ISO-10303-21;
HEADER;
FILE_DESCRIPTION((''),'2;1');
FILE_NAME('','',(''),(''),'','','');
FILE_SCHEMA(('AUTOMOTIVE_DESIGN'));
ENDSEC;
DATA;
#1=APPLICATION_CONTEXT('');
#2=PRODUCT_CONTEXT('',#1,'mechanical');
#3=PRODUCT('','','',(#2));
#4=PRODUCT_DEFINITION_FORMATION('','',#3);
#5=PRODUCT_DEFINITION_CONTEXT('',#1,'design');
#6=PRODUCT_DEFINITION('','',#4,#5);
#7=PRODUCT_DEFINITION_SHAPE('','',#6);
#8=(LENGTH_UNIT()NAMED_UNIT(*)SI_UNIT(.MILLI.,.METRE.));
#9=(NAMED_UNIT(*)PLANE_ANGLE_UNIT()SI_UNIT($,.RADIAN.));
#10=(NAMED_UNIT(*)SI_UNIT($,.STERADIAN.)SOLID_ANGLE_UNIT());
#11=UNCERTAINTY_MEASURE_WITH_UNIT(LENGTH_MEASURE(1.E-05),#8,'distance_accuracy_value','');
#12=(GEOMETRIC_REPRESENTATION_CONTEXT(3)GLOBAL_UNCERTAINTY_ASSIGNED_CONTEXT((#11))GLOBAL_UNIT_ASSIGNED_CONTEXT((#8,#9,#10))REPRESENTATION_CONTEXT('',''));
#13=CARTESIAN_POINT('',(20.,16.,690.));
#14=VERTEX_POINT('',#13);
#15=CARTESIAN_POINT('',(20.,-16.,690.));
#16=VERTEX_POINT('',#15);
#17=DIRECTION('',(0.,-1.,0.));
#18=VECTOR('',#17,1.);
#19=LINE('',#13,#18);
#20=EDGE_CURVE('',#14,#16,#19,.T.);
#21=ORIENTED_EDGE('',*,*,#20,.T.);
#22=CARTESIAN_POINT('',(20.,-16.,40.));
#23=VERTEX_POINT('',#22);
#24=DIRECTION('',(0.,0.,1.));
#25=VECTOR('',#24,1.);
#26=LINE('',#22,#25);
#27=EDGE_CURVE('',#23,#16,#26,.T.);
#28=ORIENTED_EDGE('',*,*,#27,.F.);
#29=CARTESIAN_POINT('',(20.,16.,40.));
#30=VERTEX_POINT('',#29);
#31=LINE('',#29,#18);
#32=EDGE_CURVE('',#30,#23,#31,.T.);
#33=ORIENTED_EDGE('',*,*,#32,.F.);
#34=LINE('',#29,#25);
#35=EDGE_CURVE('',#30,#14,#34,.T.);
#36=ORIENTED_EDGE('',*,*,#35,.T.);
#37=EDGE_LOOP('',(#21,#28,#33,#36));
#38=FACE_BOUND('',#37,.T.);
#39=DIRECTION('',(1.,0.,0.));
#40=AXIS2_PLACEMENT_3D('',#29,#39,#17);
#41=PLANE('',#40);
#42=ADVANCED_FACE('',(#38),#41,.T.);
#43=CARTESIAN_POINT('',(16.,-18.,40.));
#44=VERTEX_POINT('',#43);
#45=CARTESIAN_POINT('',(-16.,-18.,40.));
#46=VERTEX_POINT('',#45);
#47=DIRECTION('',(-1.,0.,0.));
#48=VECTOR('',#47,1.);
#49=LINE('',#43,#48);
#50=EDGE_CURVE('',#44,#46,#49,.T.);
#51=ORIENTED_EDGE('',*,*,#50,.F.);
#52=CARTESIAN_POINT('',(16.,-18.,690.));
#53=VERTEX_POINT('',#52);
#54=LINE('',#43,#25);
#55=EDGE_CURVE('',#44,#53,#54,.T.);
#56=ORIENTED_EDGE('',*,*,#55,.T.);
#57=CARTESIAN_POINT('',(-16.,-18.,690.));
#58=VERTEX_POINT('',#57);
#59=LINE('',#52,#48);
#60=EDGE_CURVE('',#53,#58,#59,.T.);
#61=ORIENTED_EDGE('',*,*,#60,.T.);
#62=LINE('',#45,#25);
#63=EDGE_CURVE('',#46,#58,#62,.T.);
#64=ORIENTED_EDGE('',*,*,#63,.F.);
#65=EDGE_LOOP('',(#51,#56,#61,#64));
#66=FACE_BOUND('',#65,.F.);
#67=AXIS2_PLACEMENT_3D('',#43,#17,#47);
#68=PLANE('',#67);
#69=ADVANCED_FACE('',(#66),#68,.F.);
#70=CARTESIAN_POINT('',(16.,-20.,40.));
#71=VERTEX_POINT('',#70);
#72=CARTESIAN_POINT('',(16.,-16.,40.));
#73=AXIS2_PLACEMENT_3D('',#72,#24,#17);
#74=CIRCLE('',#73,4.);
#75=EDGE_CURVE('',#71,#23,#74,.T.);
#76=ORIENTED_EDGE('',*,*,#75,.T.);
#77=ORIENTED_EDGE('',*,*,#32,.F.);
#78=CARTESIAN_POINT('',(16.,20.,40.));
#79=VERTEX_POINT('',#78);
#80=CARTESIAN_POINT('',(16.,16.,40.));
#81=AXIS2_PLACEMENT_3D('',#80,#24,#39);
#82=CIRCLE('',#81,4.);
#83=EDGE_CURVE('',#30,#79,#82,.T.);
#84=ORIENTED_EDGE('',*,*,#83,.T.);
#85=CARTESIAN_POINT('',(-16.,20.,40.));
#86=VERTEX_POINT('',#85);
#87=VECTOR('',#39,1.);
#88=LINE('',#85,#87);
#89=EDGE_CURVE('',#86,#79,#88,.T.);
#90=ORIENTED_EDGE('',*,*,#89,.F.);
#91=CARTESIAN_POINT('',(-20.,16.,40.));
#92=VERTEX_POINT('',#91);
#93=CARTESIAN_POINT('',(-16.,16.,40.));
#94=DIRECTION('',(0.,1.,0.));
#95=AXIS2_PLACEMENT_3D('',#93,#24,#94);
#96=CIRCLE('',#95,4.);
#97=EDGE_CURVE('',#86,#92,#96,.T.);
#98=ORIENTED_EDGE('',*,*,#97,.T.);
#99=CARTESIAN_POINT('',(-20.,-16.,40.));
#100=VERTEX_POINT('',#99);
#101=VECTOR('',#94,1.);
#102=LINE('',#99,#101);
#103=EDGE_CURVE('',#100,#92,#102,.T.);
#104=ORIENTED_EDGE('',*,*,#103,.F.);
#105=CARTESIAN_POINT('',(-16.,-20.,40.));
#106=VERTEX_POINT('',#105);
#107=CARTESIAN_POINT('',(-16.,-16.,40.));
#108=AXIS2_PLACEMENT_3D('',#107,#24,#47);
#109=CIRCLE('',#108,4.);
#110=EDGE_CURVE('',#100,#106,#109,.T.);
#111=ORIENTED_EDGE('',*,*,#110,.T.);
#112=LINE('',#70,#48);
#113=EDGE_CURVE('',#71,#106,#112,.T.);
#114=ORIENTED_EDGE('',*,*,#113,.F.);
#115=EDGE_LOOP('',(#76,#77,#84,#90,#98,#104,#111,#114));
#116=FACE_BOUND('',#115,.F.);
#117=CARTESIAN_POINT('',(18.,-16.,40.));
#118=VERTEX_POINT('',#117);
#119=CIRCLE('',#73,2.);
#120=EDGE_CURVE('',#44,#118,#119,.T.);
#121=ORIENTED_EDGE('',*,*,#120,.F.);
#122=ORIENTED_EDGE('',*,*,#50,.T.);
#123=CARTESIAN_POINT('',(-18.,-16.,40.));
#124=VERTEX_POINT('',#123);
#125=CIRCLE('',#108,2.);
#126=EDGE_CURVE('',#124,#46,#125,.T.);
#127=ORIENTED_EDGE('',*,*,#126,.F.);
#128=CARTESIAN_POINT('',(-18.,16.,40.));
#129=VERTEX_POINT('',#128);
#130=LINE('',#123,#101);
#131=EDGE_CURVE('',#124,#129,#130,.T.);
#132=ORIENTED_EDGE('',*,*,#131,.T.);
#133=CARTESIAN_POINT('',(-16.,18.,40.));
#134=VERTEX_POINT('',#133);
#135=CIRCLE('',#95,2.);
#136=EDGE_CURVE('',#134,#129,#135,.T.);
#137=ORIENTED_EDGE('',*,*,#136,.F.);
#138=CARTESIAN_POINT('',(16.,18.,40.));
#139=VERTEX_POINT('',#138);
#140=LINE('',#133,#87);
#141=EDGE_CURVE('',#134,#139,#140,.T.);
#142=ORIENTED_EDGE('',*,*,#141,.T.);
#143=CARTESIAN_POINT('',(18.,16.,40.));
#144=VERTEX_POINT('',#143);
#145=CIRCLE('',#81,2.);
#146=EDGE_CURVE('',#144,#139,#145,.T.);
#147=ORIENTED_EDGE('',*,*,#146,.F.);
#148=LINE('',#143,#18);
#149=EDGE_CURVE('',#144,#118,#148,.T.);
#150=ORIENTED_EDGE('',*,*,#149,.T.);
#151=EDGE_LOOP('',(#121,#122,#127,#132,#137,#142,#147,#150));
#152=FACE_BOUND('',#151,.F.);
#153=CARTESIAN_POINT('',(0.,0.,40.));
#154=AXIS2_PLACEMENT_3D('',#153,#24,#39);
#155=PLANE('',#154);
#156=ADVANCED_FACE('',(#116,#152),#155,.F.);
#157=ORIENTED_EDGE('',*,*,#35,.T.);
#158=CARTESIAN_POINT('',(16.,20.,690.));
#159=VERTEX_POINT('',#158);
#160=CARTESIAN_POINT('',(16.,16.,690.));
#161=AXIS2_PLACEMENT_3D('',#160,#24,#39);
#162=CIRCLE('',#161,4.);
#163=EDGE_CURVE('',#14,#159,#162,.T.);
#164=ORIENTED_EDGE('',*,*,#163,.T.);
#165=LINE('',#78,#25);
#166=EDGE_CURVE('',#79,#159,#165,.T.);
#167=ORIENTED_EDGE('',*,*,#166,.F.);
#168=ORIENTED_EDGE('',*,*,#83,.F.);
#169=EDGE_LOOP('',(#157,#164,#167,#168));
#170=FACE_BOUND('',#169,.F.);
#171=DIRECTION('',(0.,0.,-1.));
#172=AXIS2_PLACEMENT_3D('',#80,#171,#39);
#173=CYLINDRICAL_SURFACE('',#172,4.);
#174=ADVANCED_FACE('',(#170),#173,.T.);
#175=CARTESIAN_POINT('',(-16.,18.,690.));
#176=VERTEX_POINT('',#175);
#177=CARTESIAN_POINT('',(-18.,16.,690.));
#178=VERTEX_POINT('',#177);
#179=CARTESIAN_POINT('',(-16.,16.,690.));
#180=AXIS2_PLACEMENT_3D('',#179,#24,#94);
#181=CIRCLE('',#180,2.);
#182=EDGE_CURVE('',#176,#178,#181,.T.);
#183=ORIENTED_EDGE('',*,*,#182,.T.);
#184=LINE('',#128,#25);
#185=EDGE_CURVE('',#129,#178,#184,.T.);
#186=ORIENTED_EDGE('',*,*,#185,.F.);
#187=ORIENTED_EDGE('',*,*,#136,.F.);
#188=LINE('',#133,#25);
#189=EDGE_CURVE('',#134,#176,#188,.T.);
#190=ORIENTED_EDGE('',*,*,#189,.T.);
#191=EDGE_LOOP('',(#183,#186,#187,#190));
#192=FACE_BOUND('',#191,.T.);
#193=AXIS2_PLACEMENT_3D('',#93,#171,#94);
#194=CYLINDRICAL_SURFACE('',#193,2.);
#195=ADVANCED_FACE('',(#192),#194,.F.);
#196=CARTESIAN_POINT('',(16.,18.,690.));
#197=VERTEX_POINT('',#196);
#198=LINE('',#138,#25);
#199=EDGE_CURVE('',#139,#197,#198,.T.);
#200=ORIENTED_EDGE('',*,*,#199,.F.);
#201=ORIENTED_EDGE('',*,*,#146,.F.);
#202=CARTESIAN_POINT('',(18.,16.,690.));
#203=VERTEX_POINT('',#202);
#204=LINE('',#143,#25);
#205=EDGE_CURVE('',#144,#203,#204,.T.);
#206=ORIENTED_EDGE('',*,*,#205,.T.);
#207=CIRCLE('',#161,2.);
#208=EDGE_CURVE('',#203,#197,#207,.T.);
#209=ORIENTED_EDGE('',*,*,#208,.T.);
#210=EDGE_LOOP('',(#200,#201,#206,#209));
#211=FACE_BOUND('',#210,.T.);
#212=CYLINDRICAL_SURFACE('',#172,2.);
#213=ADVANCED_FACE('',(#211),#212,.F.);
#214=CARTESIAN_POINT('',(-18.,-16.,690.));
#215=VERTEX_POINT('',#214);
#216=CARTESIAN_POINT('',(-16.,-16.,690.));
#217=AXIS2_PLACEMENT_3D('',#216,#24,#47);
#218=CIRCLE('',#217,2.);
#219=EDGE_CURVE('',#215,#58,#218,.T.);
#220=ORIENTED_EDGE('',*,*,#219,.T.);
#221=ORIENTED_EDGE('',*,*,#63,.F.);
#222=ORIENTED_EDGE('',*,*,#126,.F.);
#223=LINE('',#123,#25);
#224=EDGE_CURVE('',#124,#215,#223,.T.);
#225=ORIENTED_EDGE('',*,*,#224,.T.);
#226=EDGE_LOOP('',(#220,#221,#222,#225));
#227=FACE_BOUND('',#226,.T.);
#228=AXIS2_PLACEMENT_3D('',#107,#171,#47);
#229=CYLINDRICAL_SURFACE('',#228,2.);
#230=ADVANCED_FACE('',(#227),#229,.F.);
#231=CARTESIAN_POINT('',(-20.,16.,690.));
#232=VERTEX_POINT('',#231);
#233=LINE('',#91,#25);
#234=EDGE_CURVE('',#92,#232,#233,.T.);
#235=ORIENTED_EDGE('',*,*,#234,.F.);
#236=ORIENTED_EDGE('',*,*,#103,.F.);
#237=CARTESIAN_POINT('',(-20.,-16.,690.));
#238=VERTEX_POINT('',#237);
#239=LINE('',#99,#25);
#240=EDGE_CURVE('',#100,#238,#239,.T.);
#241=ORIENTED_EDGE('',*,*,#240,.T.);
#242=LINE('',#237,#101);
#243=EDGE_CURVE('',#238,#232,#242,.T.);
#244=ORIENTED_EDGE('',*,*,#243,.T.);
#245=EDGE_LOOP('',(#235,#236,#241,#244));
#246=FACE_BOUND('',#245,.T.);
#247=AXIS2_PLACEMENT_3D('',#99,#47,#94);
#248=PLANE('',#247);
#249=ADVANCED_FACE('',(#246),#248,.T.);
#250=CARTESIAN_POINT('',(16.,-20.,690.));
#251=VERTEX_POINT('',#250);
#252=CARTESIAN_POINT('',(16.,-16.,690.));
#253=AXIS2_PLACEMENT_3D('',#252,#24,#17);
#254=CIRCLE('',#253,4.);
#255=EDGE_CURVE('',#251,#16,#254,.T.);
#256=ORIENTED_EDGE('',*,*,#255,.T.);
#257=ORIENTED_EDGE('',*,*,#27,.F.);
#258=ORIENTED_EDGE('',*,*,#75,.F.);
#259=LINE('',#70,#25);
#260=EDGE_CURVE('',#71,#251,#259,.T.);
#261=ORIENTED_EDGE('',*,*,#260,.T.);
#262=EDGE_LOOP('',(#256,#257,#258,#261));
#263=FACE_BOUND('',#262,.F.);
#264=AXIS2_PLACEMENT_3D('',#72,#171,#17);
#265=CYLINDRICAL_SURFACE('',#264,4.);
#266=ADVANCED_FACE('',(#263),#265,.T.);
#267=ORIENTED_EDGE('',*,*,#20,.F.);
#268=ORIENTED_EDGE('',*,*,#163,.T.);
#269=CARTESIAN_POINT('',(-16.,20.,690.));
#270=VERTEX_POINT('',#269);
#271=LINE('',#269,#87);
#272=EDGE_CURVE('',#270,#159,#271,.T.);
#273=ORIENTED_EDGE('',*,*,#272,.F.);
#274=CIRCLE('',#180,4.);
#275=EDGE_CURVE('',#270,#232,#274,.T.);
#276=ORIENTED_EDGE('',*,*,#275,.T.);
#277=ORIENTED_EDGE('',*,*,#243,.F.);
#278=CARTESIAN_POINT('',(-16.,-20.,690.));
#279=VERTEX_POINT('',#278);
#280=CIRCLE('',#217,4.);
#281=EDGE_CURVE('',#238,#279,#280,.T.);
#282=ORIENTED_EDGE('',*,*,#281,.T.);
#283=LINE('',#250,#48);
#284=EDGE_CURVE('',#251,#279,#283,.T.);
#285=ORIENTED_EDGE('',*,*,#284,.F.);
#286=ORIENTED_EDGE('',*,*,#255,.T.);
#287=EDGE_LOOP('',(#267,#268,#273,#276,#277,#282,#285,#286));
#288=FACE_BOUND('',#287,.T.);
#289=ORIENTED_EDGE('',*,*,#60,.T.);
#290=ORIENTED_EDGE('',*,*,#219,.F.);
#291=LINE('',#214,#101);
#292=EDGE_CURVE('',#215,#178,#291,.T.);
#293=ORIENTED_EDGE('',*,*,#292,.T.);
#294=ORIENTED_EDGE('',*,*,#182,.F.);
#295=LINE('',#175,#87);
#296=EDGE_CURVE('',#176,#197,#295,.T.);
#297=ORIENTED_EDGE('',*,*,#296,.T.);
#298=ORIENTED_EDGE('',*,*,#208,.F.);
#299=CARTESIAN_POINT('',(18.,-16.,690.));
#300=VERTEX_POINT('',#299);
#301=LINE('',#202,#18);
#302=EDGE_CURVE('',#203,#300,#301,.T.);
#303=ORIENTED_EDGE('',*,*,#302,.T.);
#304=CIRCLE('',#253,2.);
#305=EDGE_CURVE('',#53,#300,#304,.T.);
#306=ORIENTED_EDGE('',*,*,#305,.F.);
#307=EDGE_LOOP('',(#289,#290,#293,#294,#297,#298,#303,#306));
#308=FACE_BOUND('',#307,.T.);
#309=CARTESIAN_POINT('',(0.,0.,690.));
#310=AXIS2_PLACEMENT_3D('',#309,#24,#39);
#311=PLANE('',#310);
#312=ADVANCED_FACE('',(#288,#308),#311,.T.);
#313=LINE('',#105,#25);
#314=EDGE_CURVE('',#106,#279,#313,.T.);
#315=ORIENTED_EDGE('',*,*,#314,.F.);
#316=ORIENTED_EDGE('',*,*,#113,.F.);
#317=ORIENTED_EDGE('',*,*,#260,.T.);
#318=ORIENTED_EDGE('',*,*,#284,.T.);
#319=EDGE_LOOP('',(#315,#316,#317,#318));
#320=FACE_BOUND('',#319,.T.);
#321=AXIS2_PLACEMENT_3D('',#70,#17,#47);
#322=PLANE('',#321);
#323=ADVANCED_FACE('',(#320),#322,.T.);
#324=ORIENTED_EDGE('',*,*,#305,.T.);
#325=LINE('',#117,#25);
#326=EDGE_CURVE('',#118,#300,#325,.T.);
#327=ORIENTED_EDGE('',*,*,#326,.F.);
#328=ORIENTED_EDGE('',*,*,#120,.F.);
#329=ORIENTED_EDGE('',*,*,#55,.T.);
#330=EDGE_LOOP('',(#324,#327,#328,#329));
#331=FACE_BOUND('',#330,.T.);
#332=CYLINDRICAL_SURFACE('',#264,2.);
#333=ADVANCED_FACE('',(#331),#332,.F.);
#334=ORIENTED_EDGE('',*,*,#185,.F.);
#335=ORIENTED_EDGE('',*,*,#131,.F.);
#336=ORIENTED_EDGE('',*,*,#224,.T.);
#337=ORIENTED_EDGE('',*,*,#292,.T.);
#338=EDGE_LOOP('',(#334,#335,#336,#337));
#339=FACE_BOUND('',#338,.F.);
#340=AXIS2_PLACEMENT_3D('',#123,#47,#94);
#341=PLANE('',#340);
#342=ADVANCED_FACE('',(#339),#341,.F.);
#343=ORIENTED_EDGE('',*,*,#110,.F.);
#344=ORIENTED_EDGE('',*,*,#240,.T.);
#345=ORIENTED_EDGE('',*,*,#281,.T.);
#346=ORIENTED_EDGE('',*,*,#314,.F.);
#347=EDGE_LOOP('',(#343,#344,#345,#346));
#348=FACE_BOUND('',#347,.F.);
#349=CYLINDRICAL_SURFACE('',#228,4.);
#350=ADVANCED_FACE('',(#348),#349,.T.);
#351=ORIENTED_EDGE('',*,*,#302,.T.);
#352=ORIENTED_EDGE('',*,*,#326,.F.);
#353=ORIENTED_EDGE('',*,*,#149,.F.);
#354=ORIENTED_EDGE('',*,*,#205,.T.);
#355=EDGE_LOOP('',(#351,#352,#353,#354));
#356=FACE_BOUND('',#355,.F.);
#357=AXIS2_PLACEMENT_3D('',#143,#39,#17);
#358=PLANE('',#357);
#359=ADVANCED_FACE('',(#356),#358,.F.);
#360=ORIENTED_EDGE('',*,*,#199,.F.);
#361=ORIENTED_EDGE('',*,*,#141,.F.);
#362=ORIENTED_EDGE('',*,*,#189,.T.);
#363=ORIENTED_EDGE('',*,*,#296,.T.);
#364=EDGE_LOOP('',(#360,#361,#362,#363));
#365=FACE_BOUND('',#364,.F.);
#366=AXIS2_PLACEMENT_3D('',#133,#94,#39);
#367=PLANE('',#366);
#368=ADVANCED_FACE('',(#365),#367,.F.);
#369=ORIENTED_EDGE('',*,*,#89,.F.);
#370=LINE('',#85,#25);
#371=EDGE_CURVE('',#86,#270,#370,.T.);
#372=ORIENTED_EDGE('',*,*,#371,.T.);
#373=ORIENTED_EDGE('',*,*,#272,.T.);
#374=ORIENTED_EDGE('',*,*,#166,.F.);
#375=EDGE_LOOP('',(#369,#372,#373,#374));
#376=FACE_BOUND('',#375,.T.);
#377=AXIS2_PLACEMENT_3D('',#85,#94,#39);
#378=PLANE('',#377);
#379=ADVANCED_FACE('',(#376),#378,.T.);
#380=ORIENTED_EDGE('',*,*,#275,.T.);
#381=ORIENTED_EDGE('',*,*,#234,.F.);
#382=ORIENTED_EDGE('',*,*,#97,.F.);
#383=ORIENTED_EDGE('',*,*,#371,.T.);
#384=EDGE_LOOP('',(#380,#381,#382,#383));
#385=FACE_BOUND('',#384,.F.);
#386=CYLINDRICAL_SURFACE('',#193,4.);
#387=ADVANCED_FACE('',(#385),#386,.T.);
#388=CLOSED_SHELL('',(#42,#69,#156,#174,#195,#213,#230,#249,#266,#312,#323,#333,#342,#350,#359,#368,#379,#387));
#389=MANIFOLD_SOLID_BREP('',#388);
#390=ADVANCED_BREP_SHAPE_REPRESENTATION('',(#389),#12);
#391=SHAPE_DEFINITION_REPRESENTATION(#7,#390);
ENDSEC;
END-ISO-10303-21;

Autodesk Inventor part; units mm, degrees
ref_plane "YZ Plane" through (0, 0, 0) normal (1, 0, 0) x (0, 1, 0)
ref_plane "Start Plane" through (0, 0, 40) normal (0, 0, 1) x (1, 0, 0)
ref_plane "End Plane" through (0, 0, 690) normal (0, 0, 1) x (1, 0, 0)
sketch "Sketch" plane through (0, 0, 0) normal (0, 0, 1) x (1, 0, 0)
  line L0 (-20, -16) -> (-20, 16)
  line L1 (-16, 20) -> (16, 20)
  line L2 (20, 16) -> (20, -16)
  line L3 (16, -20) -> (-16, -20)
  arc A0 (-20, -16) -> (-16, -20) centre (-16, -16) ccw
  arc A1 (20, 16) -> (16, 20) centre (16, 16) ccw
  arc A2 (-16, 20) -> (-20, 16) centre (-16, 16) ccw
  arc A3 (16, -20) -> (20, -16) centre (16, -16) ccw
  arc A4 (-16, 18) -> (-18, 16) centre (-16, 16) ccw
  line L4 (-16, 18) -> (16, 18)
  arc A5 (18, 16) -> (16, 18) centre (16, 16) ccw
  line L5 (18, 16) -> (18, -16)
  arc A6 (16, -18) -> (18, -16) centre (16, -16) ccw
  line L6 (16, -18) -> (-16, -18)
  arc A7 (-18, -16) -> (-16, -18) centre (-16, -16) ccw
  line L7 (-18, -16) -> (-18, 16)
  line L8 (0, 29.1598) -> (0, -29.1598) construction
  line L9 (-29.1598, 0) -> (29.1598, 0) construction
  dimension "d7" = 4
  dimension "d9" = 40
  dimension "d11" = 40
  dimension "d12" = 2
  dimension "d15" = 20
  dimension "d16" = 20
extrude "Body" add sketch "Sketch" along normal up to surface (650 mm away) from surface at 40
sketch "Sketch3" plane through (0, 0, 0) normal (0, 0, 1) x (1, 0, 0)
  line L0 (0, 0) -> (10, 0)
ref_plane "Work Plane3" through (0, 0, 0) normal (0, -1, 0) x (1, 0, 0)
sketch "Sketch4" plane through (0, 0, 0) normal (0, -1, 0) x (1, 0, 0)
  line L0 (-2, 40) -> (12, 40) projected
  line L1 (-2, 690) -> (12, 690) projected
  dimension "d18" = 650
equation "\"d7\" = G_IR"
equation "\"d9\" = G_W"
equation "\"d11\" = G_H"
equation "\"d12\" = G_T"
equation "\"d15\" = 0.5 * d9"
equation "\"d16\" = 0.5 * d11"
equation "\"d3\" = G_L"
equation "\"G_W\" = 40"
equation "\"G_H\" = 40"
equation "\"G_T\" = 2"
equation "\"G_IR\" = 4"
equation "\"G_L\" = d18"
properties part number "ISO 4019 - 40x40x2 - 650" material "Steel, Mild"
